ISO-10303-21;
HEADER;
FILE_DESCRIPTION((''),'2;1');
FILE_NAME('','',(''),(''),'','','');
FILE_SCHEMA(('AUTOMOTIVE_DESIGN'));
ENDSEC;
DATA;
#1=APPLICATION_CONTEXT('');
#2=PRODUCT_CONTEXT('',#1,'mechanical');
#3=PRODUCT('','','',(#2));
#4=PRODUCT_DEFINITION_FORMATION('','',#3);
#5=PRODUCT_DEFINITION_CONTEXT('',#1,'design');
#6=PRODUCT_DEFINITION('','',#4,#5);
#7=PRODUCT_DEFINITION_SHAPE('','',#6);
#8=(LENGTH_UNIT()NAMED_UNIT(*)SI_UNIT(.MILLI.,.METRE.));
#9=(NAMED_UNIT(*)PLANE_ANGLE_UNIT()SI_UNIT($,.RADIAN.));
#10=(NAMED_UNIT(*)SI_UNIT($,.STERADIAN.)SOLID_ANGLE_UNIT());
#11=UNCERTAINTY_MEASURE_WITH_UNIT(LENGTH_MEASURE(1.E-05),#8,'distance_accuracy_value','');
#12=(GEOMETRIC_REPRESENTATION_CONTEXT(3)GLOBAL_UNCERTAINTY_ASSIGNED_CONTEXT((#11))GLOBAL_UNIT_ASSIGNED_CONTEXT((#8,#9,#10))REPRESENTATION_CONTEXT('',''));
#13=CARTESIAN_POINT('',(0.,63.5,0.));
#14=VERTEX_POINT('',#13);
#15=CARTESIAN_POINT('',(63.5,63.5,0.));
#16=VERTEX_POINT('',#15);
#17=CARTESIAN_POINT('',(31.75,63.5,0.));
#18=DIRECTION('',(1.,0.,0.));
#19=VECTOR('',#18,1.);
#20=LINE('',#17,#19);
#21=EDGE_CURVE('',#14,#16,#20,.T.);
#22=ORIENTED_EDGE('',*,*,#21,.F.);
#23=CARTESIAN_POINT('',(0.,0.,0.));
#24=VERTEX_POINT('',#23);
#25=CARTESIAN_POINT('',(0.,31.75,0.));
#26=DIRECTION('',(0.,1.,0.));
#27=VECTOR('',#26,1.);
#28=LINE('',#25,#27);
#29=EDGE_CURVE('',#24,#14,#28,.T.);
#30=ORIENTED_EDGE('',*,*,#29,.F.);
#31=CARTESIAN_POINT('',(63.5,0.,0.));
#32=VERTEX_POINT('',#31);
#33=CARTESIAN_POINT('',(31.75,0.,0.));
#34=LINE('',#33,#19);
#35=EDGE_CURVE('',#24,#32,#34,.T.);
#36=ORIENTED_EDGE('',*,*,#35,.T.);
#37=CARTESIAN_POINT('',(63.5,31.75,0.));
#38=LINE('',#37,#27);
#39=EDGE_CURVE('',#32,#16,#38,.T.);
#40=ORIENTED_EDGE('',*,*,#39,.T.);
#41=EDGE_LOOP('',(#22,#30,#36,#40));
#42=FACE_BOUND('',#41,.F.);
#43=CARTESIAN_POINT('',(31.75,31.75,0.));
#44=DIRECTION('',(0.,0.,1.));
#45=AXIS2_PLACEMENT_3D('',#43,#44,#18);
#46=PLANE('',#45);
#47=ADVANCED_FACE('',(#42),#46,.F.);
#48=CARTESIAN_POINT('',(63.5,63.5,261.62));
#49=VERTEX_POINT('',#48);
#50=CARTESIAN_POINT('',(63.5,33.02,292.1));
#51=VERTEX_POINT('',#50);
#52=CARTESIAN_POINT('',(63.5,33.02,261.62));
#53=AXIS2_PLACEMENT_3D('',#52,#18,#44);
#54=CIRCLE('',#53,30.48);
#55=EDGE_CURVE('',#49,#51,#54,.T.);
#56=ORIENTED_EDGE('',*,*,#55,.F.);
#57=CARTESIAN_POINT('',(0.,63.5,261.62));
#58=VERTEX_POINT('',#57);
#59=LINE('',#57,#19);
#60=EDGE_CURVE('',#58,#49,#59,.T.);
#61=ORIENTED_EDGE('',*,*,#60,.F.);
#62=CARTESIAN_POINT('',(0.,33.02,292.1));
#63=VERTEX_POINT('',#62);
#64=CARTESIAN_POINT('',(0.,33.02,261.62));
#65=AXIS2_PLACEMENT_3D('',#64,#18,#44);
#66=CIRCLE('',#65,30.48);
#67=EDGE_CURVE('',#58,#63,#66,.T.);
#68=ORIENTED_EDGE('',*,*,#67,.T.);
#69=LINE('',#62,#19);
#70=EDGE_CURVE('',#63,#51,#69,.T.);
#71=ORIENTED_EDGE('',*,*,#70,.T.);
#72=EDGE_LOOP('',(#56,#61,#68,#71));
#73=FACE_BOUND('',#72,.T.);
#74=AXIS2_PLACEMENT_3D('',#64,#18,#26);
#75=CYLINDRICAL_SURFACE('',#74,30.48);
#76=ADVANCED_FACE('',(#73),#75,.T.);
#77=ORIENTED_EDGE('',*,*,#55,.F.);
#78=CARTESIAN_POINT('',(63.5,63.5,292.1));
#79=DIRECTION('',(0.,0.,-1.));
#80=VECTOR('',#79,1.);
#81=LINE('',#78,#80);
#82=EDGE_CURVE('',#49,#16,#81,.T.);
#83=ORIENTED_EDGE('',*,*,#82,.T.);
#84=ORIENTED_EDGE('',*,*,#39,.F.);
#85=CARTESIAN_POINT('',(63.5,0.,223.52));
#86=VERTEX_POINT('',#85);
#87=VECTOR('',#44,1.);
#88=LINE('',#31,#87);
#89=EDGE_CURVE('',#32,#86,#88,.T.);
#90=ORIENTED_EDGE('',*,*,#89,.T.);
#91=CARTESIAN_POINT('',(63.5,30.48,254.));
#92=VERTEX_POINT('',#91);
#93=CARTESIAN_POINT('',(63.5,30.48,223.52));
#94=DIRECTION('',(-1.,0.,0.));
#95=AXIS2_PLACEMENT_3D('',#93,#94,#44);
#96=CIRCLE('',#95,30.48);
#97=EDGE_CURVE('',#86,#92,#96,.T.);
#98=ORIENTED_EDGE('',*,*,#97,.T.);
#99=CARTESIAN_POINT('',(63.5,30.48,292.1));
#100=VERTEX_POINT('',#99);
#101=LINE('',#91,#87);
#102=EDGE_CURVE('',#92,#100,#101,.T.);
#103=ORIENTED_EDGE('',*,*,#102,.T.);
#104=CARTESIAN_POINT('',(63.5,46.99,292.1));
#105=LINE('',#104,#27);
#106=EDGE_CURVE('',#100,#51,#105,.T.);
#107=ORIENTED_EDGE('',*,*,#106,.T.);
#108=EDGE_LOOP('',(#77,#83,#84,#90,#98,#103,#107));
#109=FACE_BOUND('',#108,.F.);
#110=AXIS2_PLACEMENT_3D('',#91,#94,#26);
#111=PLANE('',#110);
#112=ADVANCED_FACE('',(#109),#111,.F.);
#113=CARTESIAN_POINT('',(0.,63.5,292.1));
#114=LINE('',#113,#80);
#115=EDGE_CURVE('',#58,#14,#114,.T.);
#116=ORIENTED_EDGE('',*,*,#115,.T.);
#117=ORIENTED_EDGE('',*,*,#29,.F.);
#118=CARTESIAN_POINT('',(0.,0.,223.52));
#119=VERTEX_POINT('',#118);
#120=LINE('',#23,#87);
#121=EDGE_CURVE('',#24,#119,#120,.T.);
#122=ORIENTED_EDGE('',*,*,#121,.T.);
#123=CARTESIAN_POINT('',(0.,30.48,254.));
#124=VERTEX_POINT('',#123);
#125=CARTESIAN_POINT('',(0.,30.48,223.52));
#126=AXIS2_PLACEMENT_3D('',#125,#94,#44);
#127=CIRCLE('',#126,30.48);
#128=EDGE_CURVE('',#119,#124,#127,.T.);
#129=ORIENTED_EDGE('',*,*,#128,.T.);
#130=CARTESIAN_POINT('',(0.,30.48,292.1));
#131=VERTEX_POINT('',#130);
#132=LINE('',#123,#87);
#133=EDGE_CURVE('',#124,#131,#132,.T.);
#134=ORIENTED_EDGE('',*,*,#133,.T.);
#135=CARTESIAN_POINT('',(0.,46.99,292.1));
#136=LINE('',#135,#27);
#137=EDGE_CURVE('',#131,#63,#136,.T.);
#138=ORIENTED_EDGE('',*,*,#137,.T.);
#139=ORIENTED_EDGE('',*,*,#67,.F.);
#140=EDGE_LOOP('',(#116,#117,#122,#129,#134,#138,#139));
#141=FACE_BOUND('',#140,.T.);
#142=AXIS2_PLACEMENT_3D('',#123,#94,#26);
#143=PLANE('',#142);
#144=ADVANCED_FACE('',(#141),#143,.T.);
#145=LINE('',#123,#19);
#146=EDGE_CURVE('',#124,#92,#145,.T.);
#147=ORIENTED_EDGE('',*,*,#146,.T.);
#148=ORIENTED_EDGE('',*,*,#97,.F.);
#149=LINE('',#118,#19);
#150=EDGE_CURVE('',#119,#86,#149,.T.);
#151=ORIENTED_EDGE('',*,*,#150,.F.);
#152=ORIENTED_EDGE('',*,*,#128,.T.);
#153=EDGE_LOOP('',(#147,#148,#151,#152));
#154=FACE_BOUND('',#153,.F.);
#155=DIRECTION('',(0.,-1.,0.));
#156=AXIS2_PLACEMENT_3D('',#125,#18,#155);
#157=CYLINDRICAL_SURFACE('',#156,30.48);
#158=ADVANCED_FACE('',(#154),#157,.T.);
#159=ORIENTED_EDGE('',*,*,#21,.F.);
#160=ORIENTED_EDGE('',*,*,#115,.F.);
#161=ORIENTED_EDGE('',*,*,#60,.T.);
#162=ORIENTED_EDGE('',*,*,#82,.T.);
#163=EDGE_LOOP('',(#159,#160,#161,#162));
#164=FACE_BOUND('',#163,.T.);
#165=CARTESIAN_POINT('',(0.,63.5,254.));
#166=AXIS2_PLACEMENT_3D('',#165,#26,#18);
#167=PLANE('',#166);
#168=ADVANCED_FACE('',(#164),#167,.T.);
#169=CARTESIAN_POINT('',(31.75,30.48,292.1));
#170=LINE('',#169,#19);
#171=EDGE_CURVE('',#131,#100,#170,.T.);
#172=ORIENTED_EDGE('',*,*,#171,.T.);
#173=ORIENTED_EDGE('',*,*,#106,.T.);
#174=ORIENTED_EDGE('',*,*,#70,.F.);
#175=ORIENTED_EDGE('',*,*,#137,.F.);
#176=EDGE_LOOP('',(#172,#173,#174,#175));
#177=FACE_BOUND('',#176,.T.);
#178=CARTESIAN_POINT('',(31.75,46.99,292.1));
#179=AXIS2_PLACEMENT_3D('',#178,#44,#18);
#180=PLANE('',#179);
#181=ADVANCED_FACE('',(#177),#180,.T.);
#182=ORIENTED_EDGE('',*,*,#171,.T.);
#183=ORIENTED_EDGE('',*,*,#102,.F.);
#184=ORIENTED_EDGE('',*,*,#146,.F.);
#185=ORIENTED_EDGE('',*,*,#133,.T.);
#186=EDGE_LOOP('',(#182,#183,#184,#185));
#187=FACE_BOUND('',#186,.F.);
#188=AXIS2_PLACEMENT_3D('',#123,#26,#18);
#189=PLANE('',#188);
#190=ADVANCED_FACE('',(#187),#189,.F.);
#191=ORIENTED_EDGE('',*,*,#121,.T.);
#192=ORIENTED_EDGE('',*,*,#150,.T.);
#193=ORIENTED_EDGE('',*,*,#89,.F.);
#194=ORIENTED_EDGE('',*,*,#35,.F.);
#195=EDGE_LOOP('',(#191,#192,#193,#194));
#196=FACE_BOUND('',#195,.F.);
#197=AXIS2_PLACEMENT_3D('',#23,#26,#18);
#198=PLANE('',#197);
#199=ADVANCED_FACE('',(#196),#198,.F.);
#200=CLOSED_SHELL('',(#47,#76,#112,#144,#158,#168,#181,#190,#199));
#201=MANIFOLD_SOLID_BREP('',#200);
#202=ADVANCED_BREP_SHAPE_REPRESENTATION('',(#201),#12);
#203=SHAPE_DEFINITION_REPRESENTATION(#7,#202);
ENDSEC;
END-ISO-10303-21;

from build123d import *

# Parameters (mm, degrees)
F0_W     = 63.5
F0_H     = 63.5
F1_DEPTH = 254
F2_R     = 30.48
F3_W     = 63.5
F3_H     = 33.02
F4_DEPTH = 38.1
F5_R     = 30.48


with BuildPart() as f1:
    # F0 (on Top) → F1 (new body)
    with BuildSketch(Plane.XY):
        with Locations((31.75, 31.75)):
            Rectangle(F0_W, F0_H)
    extrude(amount=F1_DEPTH)

    # F2
    f2_edges = [f1.edges().sort_by_distance(p)[0] for p in [
        (31.75, 0, 254),
    ]]
    fillet(f2_edges, radius=F2_R)

    # F3 (on face) → F4 (join)
    with BuildSketch(Plane.XY.offset(254)):
        with Locations((31.75, 46.99)):
            Rectangle(F3_W, F3_H)
    extrude(amount=F4_DEPTH)

    # F5
    f5_edges = [f1.edges().sort_by_distance(p)[0] for p in [
        (31.75, 63.5, 292.1),
    ]]
    fillet(f5_edges, radius=F5_R)


solid = f1.part
